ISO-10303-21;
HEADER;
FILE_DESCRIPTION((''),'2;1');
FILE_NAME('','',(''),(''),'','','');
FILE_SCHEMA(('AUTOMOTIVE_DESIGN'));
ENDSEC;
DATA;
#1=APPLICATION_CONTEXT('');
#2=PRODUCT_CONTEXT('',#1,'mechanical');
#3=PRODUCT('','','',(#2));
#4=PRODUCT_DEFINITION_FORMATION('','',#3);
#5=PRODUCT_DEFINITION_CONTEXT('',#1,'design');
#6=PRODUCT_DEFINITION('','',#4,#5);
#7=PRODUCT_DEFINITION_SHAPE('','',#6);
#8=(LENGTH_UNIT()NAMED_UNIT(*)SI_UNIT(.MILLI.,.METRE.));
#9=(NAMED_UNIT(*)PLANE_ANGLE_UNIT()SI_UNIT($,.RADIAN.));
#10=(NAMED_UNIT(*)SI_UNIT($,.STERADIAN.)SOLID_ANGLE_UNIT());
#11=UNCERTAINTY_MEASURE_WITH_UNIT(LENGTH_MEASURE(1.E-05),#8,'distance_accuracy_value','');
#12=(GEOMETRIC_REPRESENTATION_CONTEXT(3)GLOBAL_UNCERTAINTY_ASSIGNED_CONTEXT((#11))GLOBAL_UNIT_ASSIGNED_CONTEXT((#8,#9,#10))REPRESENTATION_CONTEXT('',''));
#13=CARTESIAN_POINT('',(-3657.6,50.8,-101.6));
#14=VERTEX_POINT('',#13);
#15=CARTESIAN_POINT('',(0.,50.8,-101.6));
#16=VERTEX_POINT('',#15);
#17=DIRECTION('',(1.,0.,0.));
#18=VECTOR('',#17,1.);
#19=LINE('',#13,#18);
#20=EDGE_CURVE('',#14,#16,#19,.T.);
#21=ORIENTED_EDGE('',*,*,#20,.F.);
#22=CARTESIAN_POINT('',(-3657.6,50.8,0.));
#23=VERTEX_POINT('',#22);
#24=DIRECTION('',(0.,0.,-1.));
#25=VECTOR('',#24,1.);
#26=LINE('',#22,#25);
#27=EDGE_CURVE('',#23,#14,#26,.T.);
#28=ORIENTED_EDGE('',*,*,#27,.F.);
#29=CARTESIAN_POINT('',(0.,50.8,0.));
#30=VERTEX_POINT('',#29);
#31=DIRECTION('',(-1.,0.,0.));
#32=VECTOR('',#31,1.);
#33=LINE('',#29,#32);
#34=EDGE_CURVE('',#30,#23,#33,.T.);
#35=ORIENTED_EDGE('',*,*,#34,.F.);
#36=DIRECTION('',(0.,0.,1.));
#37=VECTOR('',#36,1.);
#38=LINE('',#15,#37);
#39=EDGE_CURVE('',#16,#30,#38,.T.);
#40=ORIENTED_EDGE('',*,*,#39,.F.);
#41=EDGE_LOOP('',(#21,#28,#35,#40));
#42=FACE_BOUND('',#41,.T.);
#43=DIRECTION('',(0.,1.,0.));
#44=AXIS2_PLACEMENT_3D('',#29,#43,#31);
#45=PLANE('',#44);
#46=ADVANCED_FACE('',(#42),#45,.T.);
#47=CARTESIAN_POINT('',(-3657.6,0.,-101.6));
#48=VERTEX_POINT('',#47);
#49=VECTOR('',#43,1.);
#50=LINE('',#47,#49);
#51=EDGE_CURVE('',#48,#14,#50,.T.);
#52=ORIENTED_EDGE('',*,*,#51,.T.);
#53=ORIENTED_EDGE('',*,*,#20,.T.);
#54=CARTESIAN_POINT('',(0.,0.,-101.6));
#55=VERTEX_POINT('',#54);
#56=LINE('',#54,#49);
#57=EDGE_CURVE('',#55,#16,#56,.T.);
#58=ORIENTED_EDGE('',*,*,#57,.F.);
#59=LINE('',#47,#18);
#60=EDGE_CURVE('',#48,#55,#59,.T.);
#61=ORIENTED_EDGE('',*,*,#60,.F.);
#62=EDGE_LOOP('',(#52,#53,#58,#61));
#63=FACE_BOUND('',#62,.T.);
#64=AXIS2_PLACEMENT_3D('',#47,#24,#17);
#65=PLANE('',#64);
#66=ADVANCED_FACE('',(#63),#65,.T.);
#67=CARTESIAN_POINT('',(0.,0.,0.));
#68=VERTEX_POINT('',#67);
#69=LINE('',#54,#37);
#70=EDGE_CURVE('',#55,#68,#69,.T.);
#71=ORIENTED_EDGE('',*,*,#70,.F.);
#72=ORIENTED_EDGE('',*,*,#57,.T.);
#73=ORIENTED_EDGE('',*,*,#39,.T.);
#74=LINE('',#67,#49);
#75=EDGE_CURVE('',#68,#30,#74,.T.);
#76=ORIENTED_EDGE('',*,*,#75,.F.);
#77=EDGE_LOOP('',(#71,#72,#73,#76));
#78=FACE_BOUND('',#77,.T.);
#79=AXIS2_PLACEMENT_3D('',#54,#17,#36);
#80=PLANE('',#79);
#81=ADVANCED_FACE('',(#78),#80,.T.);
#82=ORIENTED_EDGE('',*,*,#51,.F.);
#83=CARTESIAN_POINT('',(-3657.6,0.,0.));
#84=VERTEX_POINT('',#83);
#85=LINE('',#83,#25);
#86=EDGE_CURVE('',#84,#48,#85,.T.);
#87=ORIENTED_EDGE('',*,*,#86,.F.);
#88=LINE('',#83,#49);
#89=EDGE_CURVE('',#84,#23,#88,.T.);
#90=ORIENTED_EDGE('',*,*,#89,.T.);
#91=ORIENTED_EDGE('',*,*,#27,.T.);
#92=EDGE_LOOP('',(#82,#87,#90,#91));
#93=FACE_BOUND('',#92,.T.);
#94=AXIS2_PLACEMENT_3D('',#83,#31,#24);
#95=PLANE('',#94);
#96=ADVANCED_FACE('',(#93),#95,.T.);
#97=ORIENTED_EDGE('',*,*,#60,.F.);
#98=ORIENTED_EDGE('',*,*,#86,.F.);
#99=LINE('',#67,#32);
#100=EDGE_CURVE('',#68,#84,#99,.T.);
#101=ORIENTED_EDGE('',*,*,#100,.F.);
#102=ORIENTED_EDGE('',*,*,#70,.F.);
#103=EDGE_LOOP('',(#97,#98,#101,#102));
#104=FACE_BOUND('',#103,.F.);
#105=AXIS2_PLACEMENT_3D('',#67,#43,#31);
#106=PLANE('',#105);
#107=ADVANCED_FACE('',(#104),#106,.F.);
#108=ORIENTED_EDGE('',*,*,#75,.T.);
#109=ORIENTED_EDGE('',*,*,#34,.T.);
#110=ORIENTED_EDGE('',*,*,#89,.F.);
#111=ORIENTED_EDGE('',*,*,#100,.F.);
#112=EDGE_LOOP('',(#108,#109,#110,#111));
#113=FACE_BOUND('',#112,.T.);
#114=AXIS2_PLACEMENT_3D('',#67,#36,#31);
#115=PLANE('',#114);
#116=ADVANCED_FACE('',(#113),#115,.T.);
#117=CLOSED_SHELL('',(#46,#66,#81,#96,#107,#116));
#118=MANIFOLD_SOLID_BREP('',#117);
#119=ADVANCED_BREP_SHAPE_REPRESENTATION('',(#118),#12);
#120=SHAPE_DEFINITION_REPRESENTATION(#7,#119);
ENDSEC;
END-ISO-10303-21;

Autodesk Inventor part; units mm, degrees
ref_plane "YZ Plane" through (0, 0, 0) normal (1, 0, 0) x (0, 1, 0)
ref_plane "XZ Plane" through (0, 0, 0) normal (0, 1, 0) x (-1, 0, 0)
ref_plane "XY Plane" through (0, 0, 0) normal (0, 0, 1) x (1, 0, 0)
sketch "Sketch1" plane through (0, 0, 0) normal (0, 1, 0) x (-1, 0, 0)
  line L0 (0, 0) -> (3657.6, 0)
  line L1 (3657.6, 0) -> (3657.6, -101.6)
  line L2 (3657.6, -101.6) -> (0, -101.6)
  line L3 (0, -101.6) -> (0, 0)
  dimension "d0" = 3657.6
  dimension "d1" = 101.6
extrude "Extrusion1" add sketch "Sketch1" along normal blind 50.8
properties part number "2x4x144"
